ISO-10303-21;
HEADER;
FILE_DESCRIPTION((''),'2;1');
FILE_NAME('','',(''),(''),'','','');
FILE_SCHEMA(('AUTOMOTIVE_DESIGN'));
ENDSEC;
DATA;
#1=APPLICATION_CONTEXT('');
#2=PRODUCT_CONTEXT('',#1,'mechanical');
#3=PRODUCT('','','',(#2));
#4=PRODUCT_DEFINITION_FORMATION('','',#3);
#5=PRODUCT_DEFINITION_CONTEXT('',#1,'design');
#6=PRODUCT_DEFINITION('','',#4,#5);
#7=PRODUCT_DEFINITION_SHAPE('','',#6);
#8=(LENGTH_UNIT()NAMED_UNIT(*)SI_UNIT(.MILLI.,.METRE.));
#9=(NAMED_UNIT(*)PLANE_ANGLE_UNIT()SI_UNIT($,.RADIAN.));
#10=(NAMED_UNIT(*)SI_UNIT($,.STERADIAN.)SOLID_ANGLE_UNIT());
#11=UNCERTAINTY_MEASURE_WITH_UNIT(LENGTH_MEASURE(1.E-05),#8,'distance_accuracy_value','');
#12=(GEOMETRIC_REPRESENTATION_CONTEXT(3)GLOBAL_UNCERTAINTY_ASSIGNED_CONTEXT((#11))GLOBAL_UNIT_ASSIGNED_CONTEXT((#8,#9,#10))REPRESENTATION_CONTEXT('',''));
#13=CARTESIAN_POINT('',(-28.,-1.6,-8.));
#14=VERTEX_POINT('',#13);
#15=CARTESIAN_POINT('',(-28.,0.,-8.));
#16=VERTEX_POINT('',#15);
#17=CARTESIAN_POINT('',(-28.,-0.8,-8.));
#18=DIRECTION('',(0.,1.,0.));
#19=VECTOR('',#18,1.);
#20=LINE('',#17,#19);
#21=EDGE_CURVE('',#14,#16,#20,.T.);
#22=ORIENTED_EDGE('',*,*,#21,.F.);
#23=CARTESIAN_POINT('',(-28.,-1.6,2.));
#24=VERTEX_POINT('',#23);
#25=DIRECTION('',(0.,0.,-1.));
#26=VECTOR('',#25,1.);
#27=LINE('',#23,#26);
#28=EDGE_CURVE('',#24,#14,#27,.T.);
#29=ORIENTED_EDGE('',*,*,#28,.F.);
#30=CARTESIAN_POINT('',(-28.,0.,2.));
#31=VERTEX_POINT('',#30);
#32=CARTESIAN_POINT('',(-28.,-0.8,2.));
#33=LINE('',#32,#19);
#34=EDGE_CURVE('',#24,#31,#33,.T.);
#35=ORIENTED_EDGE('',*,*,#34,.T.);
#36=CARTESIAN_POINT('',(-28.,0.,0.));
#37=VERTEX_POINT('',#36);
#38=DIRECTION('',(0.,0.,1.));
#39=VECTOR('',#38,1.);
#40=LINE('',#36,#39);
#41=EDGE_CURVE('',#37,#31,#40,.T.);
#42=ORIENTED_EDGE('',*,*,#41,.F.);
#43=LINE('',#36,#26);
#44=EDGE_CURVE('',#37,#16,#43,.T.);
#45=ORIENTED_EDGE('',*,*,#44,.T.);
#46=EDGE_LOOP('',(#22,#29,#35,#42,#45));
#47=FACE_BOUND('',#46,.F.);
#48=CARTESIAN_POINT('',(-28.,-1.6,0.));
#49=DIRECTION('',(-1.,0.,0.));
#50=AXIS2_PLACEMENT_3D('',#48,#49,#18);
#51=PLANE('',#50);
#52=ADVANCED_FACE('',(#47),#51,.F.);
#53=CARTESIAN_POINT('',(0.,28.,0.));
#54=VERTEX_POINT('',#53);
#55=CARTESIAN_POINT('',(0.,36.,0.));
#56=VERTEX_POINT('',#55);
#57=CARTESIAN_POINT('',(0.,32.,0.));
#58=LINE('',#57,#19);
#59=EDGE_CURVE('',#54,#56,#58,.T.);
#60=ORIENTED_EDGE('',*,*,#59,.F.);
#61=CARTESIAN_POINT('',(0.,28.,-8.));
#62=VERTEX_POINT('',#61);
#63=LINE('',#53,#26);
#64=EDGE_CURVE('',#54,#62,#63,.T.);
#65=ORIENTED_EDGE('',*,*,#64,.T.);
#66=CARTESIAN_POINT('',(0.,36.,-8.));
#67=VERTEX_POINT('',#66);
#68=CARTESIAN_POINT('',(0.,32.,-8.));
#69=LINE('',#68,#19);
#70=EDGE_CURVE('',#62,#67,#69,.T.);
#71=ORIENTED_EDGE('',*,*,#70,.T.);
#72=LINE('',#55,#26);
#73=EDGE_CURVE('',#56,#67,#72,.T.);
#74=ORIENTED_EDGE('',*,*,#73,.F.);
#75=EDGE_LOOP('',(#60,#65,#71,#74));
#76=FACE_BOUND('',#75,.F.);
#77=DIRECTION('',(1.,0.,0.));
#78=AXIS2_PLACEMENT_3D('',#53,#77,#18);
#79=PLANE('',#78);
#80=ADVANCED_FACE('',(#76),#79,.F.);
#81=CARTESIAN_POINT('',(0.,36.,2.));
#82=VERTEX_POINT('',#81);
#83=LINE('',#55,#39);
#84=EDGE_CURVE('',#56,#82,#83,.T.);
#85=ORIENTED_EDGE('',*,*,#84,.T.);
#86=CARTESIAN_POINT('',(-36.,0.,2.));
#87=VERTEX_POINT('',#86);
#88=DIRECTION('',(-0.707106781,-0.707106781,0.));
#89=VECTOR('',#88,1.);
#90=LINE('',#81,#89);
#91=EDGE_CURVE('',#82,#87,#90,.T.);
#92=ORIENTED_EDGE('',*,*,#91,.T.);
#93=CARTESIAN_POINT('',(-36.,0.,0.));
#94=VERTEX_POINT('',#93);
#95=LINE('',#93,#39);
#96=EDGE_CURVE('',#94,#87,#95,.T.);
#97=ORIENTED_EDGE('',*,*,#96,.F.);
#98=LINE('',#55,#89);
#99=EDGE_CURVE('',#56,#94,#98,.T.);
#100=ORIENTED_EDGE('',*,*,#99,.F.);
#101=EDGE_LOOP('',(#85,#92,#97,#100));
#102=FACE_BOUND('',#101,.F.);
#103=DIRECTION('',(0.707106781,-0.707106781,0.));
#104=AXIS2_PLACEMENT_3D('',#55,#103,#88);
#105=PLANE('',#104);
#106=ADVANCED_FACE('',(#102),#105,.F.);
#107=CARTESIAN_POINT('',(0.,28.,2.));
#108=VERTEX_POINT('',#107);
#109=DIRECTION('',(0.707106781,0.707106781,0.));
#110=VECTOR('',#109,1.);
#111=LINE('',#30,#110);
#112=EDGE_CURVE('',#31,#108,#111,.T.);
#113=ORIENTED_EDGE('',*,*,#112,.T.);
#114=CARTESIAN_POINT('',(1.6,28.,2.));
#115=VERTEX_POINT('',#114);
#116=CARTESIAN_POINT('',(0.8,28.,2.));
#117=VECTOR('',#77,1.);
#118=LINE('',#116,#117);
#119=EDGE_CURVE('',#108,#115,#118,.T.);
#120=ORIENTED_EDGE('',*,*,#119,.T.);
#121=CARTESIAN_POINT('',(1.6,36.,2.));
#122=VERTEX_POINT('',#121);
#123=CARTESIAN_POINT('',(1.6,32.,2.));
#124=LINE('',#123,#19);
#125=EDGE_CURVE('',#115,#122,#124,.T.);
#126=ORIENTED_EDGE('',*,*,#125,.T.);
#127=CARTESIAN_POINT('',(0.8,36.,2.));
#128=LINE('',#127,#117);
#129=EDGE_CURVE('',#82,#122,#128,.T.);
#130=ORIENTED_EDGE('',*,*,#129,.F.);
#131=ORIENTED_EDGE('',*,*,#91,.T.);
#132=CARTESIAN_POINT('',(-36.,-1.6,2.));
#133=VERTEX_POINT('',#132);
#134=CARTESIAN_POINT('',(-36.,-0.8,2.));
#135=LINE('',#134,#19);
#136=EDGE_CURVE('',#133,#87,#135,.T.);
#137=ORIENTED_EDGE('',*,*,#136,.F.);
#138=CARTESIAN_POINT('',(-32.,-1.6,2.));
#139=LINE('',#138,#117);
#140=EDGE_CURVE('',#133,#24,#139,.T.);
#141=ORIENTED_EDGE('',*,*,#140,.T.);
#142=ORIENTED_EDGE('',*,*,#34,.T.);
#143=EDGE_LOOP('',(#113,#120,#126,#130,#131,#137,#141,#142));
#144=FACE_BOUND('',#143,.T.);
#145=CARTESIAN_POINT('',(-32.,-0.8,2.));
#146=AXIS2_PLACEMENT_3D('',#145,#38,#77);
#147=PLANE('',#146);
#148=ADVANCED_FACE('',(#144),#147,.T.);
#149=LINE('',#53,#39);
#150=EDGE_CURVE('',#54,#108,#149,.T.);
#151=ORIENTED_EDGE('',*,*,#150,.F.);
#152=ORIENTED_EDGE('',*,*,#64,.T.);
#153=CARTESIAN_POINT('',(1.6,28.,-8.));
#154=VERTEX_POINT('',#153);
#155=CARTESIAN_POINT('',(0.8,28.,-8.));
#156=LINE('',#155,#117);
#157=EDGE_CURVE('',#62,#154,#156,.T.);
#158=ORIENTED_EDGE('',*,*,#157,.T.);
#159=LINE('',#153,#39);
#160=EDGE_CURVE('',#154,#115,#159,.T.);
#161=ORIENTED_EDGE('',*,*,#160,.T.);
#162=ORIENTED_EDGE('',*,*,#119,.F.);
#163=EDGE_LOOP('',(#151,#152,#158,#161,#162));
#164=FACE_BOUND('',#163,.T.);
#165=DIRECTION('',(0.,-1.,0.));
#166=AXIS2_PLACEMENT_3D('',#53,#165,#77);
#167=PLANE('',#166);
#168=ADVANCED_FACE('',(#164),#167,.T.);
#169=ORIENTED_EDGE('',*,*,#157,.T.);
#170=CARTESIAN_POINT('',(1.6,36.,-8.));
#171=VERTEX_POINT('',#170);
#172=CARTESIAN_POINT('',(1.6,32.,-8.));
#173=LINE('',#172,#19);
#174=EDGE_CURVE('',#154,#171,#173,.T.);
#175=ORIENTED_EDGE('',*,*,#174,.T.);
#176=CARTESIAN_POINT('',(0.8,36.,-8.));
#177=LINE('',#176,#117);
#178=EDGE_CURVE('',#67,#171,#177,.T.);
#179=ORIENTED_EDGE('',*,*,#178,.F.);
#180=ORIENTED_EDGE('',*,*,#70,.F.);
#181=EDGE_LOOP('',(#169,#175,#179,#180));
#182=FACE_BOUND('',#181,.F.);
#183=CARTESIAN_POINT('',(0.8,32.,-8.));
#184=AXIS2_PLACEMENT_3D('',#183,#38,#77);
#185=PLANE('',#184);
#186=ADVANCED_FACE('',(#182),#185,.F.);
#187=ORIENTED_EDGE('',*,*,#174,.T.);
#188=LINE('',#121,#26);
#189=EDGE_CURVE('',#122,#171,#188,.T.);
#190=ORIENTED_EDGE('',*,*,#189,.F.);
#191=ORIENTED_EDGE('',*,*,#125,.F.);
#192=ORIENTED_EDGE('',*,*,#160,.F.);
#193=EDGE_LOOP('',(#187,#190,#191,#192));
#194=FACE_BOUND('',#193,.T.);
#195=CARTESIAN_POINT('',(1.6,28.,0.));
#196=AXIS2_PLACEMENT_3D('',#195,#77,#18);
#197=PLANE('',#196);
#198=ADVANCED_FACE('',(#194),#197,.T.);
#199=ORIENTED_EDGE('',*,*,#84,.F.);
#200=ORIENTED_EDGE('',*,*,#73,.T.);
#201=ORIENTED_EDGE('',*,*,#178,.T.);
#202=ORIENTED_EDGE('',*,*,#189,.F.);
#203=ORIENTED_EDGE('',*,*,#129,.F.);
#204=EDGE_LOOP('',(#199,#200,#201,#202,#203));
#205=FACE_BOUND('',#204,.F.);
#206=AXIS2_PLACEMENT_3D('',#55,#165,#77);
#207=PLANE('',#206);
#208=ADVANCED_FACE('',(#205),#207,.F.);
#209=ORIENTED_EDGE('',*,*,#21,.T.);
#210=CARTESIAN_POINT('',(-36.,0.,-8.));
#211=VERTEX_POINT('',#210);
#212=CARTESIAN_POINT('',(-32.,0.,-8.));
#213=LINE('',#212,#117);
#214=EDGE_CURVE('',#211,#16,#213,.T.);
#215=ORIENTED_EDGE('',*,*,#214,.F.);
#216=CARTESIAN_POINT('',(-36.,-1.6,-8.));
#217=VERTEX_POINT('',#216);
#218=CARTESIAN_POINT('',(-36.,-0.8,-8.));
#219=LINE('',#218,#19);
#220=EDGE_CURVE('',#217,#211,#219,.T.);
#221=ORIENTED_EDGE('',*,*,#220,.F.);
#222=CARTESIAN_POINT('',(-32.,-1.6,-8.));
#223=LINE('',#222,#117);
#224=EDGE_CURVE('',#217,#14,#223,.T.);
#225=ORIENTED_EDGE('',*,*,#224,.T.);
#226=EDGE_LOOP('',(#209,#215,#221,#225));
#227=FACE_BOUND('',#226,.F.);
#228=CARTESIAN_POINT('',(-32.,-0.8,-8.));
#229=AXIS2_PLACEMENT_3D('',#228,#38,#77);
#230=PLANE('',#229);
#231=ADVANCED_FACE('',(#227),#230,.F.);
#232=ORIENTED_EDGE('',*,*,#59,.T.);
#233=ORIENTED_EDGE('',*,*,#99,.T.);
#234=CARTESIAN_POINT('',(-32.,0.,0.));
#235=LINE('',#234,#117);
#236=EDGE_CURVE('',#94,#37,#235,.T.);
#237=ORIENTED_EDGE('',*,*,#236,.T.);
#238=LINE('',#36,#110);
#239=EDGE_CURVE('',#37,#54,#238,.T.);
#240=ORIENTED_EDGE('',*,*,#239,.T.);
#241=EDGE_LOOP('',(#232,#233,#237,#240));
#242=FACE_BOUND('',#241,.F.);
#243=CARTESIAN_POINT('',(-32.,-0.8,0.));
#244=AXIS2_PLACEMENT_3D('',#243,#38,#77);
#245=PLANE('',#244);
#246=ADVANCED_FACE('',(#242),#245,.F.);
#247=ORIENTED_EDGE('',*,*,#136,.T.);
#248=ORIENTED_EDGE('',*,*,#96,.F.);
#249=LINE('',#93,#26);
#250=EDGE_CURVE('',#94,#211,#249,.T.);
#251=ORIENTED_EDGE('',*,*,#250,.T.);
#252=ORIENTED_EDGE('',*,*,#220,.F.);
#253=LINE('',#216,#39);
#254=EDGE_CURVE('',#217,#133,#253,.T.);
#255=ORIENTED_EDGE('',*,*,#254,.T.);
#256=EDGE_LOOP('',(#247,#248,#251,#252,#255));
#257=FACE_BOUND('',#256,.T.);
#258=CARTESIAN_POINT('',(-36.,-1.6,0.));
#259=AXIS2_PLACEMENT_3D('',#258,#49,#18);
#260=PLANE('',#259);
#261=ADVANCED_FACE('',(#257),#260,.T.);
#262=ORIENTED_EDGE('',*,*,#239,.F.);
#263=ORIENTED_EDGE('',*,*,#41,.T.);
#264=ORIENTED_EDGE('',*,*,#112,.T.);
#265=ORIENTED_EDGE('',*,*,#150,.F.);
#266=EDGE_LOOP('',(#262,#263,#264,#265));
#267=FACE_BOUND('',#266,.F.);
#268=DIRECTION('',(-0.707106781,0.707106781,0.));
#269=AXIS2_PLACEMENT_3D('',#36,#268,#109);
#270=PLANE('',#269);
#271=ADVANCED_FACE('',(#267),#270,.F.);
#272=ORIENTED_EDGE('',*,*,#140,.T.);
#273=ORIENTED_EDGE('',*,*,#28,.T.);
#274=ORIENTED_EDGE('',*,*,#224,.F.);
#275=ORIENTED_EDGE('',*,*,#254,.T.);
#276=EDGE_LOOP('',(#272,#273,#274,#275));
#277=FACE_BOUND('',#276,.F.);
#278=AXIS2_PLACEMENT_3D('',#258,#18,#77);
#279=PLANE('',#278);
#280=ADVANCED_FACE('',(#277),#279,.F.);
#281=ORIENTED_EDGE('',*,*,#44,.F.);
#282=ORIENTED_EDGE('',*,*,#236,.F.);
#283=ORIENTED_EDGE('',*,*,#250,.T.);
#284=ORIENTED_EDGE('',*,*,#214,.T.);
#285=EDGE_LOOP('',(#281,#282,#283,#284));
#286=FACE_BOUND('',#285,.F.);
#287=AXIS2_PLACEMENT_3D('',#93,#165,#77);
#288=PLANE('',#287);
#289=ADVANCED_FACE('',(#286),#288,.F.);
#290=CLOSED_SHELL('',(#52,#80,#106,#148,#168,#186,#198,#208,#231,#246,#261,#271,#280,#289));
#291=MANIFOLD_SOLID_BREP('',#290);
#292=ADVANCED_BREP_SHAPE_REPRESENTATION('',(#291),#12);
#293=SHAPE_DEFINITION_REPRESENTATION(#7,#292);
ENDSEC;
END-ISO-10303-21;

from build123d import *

# Parameters (mm, degrees)
F0_W     = 8
F0_H     = 1.6
F0_W_2   = 1.6
F0_H_2   = 8
F1_DEPTH = 2
F2_DEPTH = 8


with BuildPart() as f1:
    # F0 (on Top) → F1 (new body)
    with BuildSketch(Plane.XY):
        with Locations((-32, -0.8)):
            Rectangle(F0_W, F0_H)
        Polygon((-36, 0), (-28, 0), (0, 28), (0, 36), align=None)
        with Locations((0.8, 32)):
            Rectangle(F0_W_2, F0_H_2)
    extrude(amount=F1_DEPTH)

    # F0 (on Top) → F2 (join)
    with BuildSketch(Plane.XY):
        with Locations((0.8, 32)):
            Rectangle(F0_W_2, F0_H_2)
        with Locations((-32, -0.8)):
            Rectangle(F0_W, F0_H)
    extrude(amount=-F2_DEPTH)


solid = f1.part
